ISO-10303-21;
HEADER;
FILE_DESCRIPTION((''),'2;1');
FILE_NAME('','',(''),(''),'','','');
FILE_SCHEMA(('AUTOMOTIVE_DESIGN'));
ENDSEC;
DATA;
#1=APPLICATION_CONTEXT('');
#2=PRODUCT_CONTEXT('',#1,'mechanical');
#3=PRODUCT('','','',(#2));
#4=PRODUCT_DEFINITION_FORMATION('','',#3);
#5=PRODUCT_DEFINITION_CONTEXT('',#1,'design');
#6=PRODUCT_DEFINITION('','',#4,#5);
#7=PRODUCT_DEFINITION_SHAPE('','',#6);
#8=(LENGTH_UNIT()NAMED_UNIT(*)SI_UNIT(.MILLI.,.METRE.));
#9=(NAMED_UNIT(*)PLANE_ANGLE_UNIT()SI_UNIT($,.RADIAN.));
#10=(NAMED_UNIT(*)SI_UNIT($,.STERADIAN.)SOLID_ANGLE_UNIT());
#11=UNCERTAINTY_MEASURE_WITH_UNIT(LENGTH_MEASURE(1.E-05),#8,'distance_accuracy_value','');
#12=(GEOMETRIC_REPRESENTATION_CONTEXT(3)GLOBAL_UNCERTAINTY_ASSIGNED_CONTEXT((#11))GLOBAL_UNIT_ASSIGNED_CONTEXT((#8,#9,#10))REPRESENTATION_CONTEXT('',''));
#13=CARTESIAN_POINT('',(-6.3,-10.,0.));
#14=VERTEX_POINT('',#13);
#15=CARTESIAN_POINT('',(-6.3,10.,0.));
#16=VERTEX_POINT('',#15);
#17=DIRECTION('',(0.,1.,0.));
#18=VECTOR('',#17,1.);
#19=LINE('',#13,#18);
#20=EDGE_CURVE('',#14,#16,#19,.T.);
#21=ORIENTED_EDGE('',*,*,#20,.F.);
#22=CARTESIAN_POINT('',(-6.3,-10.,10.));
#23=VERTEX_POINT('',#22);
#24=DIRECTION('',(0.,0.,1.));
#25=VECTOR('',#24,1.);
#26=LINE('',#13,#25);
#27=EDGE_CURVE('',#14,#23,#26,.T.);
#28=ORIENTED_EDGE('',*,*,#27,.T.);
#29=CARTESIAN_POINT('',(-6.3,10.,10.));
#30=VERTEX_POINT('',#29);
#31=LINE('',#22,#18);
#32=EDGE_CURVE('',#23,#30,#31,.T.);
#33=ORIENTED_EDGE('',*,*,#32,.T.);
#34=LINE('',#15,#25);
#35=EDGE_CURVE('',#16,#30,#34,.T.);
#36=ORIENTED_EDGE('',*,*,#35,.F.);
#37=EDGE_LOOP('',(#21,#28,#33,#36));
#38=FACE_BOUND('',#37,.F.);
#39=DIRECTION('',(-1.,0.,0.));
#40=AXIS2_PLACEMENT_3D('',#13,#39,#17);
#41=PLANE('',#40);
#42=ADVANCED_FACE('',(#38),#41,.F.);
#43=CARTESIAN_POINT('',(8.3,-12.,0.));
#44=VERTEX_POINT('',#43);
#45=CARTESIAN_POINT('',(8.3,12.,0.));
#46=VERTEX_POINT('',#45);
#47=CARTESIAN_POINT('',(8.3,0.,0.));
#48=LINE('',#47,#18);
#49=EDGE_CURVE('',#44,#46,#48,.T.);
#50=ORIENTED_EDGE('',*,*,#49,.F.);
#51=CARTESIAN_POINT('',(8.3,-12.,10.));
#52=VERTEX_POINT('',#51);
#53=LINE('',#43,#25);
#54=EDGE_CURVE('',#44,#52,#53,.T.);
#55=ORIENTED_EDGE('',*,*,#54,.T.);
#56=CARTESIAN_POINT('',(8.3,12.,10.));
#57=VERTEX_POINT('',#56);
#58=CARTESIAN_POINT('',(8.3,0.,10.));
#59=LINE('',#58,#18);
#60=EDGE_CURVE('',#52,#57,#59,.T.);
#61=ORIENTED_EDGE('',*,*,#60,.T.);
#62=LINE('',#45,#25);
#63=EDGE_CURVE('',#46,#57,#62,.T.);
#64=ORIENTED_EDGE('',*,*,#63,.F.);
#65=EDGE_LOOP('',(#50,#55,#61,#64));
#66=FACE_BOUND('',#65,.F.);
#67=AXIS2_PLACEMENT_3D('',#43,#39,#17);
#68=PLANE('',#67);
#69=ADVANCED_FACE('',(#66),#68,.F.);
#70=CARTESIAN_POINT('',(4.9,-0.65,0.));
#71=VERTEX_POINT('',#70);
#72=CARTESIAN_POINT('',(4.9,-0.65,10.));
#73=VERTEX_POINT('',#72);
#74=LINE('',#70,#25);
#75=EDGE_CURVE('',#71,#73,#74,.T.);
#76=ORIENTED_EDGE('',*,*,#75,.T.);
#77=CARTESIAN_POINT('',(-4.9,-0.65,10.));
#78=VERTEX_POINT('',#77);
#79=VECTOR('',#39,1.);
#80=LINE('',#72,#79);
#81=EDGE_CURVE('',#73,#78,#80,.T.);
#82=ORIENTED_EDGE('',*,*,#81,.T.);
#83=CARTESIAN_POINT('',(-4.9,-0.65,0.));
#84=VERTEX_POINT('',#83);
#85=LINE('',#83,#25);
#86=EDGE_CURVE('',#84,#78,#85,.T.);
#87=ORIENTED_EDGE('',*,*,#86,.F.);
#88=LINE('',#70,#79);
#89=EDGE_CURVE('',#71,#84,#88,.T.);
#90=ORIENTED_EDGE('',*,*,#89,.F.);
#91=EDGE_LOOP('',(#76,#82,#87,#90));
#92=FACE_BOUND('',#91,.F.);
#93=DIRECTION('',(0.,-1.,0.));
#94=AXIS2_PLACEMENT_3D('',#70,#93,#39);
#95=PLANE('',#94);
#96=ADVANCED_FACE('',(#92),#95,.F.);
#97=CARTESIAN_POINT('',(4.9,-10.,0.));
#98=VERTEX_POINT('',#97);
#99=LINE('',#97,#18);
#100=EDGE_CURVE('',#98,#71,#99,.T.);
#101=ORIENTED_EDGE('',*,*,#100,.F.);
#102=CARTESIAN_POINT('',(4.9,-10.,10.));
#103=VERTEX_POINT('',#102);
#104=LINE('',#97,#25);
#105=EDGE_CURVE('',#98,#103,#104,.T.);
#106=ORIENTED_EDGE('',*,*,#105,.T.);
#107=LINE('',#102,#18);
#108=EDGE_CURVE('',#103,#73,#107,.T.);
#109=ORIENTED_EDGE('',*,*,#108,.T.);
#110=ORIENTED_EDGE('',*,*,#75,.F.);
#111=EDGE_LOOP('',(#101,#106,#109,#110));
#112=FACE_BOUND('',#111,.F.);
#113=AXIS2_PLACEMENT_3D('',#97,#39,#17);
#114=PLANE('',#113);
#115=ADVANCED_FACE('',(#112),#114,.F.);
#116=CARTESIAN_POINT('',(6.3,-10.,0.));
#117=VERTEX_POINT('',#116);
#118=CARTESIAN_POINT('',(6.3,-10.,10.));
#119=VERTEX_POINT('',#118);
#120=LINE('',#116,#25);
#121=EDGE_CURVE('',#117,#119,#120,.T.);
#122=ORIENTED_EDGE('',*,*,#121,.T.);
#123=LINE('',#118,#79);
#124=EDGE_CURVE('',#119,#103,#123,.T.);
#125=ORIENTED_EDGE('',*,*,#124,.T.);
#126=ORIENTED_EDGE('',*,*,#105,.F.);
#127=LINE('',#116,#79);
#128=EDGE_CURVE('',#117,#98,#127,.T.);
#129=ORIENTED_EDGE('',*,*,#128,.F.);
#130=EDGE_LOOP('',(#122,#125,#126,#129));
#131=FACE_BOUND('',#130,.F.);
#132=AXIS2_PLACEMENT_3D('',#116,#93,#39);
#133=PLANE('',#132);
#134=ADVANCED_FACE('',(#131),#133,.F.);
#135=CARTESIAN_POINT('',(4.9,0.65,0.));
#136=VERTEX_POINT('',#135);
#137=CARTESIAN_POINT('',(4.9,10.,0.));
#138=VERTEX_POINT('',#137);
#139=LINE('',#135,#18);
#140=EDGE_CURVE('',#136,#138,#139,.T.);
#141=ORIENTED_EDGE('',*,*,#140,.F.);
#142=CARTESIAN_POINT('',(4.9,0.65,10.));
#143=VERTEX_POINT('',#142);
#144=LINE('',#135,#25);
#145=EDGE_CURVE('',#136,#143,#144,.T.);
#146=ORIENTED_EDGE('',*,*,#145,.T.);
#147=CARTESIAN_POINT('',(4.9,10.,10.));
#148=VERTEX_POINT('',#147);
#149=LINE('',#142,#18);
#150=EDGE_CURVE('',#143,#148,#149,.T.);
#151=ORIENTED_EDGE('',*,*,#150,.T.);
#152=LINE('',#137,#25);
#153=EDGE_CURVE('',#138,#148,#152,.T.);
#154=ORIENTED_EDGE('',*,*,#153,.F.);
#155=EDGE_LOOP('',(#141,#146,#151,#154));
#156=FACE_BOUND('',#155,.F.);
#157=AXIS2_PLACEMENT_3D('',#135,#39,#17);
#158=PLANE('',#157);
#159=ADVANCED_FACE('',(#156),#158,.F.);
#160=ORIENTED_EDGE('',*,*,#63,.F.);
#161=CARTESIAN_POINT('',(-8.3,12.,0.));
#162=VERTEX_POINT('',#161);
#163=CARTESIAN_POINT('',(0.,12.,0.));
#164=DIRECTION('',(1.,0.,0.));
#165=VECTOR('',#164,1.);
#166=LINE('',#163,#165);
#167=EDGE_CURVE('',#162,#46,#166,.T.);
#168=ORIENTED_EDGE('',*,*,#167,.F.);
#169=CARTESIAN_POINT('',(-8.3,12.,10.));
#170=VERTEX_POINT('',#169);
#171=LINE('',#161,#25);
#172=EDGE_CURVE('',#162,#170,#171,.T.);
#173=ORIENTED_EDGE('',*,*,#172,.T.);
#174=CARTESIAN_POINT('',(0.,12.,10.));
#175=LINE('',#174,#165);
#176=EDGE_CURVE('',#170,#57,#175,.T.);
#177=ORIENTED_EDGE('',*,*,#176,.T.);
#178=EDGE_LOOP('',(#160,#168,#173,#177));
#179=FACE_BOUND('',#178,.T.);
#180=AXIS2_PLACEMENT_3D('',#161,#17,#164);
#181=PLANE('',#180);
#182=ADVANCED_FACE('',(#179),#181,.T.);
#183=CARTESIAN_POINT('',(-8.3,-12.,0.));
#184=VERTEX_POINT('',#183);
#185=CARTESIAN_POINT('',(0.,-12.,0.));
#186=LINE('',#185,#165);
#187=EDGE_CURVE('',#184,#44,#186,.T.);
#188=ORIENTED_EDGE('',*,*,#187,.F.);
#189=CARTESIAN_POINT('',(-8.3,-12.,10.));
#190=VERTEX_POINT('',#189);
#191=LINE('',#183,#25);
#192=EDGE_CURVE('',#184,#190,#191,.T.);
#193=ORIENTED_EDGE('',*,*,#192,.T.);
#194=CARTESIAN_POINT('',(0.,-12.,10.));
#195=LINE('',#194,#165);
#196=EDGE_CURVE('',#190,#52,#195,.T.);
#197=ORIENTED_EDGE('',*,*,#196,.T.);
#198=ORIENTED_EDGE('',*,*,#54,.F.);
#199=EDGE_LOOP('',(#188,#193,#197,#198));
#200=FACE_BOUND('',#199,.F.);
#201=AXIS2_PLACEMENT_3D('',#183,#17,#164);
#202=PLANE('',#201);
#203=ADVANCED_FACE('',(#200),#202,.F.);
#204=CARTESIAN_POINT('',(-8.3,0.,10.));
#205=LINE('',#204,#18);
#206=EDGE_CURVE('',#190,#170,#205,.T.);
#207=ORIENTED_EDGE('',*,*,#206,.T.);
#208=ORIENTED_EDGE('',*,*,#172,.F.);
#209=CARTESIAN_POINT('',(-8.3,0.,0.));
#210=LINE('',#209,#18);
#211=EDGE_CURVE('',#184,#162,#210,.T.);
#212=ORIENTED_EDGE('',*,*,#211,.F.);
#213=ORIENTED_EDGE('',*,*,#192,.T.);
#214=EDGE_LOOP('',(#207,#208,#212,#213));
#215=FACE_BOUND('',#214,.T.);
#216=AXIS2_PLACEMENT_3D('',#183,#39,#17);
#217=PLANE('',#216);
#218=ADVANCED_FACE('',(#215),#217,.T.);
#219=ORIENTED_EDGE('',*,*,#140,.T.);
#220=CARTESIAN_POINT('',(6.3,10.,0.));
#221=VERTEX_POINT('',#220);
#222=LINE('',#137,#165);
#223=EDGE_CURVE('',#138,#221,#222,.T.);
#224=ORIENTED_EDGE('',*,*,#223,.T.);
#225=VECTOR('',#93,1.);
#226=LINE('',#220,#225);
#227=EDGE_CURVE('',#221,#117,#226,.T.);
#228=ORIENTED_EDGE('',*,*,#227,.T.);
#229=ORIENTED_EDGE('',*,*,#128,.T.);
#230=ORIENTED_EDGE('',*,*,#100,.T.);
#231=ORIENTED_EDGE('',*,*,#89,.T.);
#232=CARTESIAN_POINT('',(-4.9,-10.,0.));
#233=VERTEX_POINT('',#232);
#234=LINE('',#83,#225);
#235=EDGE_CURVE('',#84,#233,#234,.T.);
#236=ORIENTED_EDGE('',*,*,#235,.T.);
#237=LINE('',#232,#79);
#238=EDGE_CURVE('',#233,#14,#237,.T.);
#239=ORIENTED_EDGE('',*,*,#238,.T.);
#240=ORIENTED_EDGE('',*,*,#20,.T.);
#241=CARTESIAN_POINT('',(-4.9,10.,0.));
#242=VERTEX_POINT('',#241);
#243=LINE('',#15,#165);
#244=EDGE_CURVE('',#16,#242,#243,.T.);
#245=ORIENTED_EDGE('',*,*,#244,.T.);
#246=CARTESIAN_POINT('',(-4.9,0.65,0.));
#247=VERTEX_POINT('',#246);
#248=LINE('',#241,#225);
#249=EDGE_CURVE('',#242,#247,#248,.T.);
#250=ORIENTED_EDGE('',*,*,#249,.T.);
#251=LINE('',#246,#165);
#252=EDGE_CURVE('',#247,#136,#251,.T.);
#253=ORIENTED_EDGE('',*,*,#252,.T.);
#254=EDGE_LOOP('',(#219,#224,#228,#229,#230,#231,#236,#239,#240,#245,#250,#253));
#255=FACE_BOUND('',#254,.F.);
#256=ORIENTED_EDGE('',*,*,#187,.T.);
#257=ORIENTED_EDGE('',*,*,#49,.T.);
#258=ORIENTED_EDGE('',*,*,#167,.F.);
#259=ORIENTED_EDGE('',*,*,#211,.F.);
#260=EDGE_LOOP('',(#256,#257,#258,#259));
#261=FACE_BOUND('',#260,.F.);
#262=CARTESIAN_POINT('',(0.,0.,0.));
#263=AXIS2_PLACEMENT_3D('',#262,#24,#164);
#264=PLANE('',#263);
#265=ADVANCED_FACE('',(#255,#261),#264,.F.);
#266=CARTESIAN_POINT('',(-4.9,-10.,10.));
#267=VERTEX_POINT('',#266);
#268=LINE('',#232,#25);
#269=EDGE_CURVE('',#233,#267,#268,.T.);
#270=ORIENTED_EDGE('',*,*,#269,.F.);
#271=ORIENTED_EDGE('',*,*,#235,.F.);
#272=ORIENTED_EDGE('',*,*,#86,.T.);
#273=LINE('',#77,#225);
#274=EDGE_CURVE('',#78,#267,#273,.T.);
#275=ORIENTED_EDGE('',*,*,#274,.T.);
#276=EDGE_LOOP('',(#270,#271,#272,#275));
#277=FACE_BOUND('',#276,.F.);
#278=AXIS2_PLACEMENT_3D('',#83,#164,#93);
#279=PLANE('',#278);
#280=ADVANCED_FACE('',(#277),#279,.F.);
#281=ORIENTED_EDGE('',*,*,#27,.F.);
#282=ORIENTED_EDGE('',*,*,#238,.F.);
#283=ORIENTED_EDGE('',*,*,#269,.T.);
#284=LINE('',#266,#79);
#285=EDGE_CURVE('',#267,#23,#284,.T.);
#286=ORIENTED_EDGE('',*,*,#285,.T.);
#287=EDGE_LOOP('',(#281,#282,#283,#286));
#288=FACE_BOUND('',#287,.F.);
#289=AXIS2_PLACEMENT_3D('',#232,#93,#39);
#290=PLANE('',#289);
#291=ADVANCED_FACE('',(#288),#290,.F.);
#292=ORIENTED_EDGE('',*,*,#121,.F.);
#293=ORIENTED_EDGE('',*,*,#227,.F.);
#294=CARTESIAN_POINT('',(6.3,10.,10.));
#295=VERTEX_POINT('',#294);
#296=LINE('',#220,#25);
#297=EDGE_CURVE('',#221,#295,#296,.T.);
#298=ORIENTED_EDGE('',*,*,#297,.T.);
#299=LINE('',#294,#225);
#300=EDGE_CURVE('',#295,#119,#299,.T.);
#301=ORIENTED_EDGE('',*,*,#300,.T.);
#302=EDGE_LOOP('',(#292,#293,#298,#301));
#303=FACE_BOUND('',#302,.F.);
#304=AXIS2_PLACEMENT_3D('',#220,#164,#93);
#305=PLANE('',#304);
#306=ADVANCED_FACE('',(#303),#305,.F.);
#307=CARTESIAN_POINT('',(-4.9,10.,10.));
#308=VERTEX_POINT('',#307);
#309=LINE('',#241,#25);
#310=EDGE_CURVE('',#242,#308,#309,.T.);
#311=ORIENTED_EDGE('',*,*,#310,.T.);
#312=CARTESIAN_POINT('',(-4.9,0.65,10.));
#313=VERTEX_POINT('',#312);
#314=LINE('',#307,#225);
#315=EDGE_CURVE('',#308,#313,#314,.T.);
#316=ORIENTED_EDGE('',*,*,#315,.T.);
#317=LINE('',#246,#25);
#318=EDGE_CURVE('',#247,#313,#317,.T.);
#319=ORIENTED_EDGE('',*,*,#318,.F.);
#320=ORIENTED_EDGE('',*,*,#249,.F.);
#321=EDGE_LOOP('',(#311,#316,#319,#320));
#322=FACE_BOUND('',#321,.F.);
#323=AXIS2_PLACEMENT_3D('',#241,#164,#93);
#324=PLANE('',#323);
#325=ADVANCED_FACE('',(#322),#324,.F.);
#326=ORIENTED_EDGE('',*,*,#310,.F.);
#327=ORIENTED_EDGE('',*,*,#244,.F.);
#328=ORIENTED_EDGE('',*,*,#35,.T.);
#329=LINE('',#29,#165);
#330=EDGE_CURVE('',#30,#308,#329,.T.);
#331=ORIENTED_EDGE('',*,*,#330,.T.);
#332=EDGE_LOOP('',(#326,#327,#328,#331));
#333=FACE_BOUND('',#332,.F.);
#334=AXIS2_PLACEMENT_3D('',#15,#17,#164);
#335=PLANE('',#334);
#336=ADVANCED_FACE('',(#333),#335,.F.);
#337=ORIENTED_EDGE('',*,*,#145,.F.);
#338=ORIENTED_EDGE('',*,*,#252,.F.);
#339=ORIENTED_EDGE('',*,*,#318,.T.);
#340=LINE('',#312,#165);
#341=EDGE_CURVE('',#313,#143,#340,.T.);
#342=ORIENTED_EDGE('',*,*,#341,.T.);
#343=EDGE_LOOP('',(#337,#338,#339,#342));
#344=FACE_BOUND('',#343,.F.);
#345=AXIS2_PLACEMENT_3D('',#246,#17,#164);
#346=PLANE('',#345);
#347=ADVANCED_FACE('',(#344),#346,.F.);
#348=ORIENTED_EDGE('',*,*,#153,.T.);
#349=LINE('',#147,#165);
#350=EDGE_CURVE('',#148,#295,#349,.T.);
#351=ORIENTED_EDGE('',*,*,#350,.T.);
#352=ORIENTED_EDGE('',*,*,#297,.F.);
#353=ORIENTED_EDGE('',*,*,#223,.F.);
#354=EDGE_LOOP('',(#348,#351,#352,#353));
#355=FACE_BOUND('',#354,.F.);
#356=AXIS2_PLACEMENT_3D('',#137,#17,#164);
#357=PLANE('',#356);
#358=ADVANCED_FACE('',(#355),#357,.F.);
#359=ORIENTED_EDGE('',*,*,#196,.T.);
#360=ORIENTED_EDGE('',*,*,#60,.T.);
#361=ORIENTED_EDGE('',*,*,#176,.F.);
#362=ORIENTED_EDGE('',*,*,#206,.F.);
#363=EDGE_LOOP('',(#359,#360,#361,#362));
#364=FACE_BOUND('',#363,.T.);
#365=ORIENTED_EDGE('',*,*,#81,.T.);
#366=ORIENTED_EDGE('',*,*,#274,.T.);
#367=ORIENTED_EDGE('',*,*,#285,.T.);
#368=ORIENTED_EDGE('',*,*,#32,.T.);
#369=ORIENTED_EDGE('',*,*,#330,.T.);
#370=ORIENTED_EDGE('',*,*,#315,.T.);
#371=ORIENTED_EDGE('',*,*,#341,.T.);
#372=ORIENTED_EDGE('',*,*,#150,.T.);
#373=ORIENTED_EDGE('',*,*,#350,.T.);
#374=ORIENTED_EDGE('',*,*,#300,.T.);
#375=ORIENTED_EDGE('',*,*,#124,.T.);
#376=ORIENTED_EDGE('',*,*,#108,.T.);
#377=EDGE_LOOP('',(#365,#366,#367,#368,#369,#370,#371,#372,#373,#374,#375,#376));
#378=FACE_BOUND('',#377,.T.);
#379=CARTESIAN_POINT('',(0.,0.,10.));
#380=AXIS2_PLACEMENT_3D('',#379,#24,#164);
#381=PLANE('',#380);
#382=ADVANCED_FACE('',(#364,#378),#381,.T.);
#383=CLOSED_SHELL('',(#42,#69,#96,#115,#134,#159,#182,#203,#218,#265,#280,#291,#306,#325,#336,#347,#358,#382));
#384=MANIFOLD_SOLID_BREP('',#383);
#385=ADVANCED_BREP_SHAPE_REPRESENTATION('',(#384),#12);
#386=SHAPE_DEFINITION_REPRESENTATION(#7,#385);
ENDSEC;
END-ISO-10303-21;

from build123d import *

# Parameters (mm, degrees)
SKETCH1_W           = 16.6
SKETCH1_H           = 24
BOSS_EXTRUDE1_DEPTH = 10


with BuildPart() as part:
    # Sketch1 → Boss-Extrude1 (new body)
    with BuildSketch(Plane.XY):
        Rectangle(SKETCH1_W, SKETCH1_H)
        Polygon((-4.9, 10), (-4.9, 0.65), (4.9, 0.65), (4.9, 10), (6.3, 10), (6.3, -10), (4.9, -10), (4.9, -0.65), (-4.9, -0.65), (-4.9, -10), (-6.3, -10), (-6.3, 10), align=None, mode=Mode.SUBTRACT)
    extrude(amount=BOSS_EXTRUDE1_DEPTH)


solid = part.part
